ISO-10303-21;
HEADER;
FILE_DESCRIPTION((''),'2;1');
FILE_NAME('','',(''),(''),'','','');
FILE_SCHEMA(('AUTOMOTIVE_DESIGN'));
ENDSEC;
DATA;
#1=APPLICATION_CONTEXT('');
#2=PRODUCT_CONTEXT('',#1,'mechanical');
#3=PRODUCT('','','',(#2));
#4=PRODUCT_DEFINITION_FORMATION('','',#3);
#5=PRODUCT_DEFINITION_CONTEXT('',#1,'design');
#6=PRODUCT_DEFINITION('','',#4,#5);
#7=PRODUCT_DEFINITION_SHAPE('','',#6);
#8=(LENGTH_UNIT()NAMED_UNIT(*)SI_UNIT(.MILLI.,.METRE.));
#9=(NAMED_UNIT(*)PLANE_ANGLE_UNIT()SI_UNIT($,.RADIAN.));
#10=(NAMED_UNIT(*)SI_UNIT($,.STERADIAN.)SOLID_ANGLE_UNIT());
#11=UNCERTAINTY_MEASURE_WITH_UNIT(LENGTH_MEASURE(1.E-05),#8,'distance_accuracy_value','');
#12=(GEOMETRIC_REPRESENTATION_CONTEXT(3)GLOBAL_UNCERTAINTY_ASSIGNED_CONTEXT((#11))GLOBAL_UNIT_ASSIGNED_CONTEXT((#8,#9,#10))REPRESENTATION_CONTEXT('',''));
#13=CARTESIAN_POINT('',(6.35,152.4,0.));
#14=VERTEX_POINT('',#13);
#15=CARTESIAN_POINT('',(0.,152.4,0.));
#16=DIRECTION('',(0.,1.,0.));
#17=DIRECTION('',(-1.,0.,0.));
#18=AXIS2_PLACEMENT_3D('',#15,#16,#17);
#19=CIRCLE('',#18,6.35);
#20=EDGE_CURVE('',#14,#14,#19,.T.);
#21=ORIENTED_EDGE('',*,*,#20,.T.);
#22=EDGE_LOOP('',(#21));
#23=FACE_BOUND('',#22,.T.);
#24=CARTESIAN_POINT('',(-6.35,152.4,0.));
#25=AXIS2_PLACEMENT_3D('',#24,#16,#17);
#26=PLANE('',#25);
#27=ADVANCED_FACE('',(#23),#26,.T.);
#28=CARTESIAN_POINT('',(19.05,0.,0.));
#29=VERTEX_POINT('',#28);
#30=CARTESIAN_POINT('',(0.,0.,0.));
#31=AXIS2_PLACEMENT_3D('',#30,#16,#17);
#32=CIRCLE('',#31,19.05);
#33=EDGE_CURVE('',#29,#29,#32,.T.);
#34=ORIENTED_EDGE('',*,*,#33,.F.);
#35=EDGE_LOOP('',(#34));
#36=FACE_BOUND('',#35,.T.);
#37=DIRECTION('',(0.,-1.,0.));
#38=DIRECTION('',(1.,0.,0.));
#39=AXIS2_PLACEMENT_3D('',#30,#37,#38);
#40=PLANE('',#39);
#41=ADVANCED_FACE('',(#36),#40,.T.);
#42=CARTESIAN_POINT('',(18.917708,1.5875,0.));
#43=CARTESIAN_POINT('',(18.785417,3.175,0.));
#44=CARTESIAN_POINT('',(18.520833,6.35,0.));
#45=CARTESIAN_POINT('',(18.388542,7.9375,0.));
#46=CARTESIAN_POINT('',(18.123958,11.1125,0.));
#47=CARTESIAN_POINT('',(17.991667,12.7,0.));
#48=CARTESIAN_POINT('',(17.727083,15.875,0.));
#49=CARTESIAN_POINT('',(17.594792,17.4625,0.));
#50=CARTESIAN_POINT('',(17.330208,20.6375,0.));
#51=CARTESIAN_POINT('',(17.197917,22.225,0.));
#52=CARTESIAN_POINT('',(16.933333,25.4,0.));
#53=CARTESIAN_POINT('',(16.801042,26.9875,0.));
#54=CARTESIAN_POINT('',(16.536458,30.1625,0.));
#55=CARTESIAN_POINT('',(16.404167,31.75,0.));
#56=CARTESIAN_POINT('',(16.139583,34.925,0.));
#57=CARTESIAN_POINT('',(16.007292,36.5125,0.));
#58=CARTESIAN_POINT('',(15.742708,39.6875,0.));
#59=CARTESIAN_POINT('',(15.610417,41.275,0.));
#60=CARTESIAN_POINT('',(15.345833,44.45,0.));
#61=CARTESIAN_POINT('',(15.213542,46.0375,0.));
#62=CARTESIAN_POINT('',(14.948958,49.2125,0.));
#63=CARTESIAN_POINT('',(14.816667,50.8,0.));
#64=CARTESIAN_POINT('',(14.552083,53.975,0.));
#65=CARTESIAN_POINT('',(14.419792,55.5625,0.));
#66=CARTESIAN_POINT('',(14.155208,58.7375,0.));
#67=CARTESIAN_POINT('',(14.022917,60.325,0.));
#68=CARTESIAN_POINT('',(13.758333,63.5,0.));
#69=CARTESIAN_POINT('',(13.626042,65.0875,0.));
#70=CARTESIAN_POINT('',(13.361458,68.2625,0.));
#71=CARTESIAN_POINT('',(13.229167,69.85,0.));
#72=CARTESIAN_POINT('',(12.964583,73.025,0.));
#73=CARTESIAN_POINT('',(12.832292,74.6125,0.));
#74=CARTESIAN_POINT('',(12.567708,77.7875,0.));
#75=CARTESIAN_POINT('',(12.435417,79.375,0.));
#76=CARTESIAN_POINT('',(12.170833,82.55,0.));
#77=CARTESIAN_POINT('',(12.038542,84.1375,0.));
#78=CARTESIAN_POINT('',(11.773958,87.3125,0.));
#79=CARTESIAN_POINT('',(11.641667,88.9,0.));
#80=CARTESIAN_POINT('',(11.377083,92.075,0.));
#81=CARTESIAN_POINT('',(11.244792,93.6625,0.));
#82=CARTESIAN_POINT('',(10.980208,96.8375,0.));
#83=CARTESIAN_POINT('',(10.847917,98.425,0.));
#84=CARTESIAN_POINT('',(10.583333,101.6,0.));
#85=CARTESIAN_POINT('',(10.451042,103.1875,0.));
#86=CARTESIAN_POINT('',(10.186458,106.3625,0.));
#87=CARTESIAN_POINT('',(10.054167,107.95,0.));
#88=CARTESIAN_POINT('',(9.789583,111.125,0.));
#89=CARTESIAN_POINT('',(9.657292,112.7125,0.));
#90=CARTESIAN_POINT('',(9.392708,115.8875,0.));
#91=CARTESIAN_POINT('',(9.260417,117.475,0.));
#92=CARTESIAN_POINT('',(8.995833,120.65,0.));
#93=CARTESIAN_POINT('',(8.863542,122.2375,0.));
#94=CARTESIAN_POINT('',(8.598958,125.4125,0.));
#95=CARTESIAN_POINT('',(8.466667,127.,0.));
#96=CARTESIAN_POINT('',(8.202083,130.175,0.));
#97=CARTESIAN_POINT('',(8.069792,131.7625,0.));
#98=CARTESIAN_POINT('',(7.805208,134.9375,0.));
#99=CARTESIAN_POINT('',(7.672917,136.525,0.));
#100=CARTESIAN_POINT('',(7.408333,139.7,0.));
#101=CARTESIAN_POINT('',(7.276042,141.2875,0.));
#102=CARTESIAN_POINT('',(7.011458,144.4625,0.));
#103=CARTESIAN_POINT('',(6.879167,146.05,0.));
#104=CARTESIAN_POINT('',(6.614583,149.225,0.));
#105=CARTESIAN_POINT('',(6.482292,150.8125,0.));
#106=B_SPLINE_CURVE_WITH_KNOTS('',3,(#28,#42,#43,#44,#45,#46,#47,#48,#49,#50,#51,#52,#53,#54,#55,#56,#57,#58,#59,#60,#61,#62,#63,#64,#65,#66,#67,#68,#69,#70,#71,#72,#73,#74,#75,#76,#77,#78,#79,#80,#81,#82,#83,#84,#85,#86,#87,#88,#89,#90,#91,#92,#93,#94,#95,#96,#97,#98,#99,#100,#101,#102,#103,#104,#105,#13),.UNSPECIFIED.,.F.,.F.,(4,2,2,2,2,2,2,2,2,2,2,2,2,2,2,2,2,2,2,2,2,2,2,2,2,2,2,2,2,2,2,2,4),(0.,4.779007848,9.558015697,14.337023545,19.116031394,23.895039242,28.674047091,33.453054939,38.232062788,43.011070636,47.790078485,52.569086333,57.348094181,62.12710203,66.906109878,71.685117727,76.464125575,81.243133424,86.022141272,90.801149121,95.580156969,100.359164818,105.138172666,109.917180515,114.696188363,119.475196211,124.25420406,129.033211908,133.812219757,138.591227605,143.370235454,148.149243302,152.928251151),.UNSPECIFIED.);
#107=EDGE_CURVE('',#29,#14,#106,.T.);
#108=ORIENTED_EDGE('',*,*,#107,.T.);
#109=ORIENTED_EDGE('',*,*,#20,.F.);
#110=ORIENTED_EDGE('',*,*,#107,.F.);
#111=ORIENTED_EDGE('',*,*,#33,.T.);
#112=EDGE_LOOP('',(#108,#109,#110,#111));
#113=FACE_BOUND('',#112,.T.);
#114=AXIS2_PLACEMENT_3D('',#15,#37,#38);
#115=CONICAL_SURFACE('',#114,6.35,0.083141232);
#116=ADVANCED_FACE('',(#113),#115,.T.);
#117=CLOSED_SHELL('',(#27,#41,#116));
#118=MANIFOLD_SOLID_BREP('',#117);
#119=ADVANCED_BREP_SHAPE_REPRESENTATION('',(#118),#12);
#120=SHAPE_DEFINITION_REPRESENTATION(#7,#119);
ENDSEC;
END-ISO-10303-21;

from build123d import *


with BuildPart() as part:
    # Sketch1 → Revolve1 (revolve)
    with BuildSketch(Plane.XY, mode=Mode.PRIVATE) as revolve1_sk:
        Polygon((0, 0), (-19.05, 0), (-6.35, 152.4), (0, 152.4), align=None)
    revolve(revolve1_sk.sketch.rotate(Axis((0, 152.4, 0), (0, -1, 0)), 180), axis=Axis((0, 152.4, 0), (0, -1, 0)))


solid = part.part
